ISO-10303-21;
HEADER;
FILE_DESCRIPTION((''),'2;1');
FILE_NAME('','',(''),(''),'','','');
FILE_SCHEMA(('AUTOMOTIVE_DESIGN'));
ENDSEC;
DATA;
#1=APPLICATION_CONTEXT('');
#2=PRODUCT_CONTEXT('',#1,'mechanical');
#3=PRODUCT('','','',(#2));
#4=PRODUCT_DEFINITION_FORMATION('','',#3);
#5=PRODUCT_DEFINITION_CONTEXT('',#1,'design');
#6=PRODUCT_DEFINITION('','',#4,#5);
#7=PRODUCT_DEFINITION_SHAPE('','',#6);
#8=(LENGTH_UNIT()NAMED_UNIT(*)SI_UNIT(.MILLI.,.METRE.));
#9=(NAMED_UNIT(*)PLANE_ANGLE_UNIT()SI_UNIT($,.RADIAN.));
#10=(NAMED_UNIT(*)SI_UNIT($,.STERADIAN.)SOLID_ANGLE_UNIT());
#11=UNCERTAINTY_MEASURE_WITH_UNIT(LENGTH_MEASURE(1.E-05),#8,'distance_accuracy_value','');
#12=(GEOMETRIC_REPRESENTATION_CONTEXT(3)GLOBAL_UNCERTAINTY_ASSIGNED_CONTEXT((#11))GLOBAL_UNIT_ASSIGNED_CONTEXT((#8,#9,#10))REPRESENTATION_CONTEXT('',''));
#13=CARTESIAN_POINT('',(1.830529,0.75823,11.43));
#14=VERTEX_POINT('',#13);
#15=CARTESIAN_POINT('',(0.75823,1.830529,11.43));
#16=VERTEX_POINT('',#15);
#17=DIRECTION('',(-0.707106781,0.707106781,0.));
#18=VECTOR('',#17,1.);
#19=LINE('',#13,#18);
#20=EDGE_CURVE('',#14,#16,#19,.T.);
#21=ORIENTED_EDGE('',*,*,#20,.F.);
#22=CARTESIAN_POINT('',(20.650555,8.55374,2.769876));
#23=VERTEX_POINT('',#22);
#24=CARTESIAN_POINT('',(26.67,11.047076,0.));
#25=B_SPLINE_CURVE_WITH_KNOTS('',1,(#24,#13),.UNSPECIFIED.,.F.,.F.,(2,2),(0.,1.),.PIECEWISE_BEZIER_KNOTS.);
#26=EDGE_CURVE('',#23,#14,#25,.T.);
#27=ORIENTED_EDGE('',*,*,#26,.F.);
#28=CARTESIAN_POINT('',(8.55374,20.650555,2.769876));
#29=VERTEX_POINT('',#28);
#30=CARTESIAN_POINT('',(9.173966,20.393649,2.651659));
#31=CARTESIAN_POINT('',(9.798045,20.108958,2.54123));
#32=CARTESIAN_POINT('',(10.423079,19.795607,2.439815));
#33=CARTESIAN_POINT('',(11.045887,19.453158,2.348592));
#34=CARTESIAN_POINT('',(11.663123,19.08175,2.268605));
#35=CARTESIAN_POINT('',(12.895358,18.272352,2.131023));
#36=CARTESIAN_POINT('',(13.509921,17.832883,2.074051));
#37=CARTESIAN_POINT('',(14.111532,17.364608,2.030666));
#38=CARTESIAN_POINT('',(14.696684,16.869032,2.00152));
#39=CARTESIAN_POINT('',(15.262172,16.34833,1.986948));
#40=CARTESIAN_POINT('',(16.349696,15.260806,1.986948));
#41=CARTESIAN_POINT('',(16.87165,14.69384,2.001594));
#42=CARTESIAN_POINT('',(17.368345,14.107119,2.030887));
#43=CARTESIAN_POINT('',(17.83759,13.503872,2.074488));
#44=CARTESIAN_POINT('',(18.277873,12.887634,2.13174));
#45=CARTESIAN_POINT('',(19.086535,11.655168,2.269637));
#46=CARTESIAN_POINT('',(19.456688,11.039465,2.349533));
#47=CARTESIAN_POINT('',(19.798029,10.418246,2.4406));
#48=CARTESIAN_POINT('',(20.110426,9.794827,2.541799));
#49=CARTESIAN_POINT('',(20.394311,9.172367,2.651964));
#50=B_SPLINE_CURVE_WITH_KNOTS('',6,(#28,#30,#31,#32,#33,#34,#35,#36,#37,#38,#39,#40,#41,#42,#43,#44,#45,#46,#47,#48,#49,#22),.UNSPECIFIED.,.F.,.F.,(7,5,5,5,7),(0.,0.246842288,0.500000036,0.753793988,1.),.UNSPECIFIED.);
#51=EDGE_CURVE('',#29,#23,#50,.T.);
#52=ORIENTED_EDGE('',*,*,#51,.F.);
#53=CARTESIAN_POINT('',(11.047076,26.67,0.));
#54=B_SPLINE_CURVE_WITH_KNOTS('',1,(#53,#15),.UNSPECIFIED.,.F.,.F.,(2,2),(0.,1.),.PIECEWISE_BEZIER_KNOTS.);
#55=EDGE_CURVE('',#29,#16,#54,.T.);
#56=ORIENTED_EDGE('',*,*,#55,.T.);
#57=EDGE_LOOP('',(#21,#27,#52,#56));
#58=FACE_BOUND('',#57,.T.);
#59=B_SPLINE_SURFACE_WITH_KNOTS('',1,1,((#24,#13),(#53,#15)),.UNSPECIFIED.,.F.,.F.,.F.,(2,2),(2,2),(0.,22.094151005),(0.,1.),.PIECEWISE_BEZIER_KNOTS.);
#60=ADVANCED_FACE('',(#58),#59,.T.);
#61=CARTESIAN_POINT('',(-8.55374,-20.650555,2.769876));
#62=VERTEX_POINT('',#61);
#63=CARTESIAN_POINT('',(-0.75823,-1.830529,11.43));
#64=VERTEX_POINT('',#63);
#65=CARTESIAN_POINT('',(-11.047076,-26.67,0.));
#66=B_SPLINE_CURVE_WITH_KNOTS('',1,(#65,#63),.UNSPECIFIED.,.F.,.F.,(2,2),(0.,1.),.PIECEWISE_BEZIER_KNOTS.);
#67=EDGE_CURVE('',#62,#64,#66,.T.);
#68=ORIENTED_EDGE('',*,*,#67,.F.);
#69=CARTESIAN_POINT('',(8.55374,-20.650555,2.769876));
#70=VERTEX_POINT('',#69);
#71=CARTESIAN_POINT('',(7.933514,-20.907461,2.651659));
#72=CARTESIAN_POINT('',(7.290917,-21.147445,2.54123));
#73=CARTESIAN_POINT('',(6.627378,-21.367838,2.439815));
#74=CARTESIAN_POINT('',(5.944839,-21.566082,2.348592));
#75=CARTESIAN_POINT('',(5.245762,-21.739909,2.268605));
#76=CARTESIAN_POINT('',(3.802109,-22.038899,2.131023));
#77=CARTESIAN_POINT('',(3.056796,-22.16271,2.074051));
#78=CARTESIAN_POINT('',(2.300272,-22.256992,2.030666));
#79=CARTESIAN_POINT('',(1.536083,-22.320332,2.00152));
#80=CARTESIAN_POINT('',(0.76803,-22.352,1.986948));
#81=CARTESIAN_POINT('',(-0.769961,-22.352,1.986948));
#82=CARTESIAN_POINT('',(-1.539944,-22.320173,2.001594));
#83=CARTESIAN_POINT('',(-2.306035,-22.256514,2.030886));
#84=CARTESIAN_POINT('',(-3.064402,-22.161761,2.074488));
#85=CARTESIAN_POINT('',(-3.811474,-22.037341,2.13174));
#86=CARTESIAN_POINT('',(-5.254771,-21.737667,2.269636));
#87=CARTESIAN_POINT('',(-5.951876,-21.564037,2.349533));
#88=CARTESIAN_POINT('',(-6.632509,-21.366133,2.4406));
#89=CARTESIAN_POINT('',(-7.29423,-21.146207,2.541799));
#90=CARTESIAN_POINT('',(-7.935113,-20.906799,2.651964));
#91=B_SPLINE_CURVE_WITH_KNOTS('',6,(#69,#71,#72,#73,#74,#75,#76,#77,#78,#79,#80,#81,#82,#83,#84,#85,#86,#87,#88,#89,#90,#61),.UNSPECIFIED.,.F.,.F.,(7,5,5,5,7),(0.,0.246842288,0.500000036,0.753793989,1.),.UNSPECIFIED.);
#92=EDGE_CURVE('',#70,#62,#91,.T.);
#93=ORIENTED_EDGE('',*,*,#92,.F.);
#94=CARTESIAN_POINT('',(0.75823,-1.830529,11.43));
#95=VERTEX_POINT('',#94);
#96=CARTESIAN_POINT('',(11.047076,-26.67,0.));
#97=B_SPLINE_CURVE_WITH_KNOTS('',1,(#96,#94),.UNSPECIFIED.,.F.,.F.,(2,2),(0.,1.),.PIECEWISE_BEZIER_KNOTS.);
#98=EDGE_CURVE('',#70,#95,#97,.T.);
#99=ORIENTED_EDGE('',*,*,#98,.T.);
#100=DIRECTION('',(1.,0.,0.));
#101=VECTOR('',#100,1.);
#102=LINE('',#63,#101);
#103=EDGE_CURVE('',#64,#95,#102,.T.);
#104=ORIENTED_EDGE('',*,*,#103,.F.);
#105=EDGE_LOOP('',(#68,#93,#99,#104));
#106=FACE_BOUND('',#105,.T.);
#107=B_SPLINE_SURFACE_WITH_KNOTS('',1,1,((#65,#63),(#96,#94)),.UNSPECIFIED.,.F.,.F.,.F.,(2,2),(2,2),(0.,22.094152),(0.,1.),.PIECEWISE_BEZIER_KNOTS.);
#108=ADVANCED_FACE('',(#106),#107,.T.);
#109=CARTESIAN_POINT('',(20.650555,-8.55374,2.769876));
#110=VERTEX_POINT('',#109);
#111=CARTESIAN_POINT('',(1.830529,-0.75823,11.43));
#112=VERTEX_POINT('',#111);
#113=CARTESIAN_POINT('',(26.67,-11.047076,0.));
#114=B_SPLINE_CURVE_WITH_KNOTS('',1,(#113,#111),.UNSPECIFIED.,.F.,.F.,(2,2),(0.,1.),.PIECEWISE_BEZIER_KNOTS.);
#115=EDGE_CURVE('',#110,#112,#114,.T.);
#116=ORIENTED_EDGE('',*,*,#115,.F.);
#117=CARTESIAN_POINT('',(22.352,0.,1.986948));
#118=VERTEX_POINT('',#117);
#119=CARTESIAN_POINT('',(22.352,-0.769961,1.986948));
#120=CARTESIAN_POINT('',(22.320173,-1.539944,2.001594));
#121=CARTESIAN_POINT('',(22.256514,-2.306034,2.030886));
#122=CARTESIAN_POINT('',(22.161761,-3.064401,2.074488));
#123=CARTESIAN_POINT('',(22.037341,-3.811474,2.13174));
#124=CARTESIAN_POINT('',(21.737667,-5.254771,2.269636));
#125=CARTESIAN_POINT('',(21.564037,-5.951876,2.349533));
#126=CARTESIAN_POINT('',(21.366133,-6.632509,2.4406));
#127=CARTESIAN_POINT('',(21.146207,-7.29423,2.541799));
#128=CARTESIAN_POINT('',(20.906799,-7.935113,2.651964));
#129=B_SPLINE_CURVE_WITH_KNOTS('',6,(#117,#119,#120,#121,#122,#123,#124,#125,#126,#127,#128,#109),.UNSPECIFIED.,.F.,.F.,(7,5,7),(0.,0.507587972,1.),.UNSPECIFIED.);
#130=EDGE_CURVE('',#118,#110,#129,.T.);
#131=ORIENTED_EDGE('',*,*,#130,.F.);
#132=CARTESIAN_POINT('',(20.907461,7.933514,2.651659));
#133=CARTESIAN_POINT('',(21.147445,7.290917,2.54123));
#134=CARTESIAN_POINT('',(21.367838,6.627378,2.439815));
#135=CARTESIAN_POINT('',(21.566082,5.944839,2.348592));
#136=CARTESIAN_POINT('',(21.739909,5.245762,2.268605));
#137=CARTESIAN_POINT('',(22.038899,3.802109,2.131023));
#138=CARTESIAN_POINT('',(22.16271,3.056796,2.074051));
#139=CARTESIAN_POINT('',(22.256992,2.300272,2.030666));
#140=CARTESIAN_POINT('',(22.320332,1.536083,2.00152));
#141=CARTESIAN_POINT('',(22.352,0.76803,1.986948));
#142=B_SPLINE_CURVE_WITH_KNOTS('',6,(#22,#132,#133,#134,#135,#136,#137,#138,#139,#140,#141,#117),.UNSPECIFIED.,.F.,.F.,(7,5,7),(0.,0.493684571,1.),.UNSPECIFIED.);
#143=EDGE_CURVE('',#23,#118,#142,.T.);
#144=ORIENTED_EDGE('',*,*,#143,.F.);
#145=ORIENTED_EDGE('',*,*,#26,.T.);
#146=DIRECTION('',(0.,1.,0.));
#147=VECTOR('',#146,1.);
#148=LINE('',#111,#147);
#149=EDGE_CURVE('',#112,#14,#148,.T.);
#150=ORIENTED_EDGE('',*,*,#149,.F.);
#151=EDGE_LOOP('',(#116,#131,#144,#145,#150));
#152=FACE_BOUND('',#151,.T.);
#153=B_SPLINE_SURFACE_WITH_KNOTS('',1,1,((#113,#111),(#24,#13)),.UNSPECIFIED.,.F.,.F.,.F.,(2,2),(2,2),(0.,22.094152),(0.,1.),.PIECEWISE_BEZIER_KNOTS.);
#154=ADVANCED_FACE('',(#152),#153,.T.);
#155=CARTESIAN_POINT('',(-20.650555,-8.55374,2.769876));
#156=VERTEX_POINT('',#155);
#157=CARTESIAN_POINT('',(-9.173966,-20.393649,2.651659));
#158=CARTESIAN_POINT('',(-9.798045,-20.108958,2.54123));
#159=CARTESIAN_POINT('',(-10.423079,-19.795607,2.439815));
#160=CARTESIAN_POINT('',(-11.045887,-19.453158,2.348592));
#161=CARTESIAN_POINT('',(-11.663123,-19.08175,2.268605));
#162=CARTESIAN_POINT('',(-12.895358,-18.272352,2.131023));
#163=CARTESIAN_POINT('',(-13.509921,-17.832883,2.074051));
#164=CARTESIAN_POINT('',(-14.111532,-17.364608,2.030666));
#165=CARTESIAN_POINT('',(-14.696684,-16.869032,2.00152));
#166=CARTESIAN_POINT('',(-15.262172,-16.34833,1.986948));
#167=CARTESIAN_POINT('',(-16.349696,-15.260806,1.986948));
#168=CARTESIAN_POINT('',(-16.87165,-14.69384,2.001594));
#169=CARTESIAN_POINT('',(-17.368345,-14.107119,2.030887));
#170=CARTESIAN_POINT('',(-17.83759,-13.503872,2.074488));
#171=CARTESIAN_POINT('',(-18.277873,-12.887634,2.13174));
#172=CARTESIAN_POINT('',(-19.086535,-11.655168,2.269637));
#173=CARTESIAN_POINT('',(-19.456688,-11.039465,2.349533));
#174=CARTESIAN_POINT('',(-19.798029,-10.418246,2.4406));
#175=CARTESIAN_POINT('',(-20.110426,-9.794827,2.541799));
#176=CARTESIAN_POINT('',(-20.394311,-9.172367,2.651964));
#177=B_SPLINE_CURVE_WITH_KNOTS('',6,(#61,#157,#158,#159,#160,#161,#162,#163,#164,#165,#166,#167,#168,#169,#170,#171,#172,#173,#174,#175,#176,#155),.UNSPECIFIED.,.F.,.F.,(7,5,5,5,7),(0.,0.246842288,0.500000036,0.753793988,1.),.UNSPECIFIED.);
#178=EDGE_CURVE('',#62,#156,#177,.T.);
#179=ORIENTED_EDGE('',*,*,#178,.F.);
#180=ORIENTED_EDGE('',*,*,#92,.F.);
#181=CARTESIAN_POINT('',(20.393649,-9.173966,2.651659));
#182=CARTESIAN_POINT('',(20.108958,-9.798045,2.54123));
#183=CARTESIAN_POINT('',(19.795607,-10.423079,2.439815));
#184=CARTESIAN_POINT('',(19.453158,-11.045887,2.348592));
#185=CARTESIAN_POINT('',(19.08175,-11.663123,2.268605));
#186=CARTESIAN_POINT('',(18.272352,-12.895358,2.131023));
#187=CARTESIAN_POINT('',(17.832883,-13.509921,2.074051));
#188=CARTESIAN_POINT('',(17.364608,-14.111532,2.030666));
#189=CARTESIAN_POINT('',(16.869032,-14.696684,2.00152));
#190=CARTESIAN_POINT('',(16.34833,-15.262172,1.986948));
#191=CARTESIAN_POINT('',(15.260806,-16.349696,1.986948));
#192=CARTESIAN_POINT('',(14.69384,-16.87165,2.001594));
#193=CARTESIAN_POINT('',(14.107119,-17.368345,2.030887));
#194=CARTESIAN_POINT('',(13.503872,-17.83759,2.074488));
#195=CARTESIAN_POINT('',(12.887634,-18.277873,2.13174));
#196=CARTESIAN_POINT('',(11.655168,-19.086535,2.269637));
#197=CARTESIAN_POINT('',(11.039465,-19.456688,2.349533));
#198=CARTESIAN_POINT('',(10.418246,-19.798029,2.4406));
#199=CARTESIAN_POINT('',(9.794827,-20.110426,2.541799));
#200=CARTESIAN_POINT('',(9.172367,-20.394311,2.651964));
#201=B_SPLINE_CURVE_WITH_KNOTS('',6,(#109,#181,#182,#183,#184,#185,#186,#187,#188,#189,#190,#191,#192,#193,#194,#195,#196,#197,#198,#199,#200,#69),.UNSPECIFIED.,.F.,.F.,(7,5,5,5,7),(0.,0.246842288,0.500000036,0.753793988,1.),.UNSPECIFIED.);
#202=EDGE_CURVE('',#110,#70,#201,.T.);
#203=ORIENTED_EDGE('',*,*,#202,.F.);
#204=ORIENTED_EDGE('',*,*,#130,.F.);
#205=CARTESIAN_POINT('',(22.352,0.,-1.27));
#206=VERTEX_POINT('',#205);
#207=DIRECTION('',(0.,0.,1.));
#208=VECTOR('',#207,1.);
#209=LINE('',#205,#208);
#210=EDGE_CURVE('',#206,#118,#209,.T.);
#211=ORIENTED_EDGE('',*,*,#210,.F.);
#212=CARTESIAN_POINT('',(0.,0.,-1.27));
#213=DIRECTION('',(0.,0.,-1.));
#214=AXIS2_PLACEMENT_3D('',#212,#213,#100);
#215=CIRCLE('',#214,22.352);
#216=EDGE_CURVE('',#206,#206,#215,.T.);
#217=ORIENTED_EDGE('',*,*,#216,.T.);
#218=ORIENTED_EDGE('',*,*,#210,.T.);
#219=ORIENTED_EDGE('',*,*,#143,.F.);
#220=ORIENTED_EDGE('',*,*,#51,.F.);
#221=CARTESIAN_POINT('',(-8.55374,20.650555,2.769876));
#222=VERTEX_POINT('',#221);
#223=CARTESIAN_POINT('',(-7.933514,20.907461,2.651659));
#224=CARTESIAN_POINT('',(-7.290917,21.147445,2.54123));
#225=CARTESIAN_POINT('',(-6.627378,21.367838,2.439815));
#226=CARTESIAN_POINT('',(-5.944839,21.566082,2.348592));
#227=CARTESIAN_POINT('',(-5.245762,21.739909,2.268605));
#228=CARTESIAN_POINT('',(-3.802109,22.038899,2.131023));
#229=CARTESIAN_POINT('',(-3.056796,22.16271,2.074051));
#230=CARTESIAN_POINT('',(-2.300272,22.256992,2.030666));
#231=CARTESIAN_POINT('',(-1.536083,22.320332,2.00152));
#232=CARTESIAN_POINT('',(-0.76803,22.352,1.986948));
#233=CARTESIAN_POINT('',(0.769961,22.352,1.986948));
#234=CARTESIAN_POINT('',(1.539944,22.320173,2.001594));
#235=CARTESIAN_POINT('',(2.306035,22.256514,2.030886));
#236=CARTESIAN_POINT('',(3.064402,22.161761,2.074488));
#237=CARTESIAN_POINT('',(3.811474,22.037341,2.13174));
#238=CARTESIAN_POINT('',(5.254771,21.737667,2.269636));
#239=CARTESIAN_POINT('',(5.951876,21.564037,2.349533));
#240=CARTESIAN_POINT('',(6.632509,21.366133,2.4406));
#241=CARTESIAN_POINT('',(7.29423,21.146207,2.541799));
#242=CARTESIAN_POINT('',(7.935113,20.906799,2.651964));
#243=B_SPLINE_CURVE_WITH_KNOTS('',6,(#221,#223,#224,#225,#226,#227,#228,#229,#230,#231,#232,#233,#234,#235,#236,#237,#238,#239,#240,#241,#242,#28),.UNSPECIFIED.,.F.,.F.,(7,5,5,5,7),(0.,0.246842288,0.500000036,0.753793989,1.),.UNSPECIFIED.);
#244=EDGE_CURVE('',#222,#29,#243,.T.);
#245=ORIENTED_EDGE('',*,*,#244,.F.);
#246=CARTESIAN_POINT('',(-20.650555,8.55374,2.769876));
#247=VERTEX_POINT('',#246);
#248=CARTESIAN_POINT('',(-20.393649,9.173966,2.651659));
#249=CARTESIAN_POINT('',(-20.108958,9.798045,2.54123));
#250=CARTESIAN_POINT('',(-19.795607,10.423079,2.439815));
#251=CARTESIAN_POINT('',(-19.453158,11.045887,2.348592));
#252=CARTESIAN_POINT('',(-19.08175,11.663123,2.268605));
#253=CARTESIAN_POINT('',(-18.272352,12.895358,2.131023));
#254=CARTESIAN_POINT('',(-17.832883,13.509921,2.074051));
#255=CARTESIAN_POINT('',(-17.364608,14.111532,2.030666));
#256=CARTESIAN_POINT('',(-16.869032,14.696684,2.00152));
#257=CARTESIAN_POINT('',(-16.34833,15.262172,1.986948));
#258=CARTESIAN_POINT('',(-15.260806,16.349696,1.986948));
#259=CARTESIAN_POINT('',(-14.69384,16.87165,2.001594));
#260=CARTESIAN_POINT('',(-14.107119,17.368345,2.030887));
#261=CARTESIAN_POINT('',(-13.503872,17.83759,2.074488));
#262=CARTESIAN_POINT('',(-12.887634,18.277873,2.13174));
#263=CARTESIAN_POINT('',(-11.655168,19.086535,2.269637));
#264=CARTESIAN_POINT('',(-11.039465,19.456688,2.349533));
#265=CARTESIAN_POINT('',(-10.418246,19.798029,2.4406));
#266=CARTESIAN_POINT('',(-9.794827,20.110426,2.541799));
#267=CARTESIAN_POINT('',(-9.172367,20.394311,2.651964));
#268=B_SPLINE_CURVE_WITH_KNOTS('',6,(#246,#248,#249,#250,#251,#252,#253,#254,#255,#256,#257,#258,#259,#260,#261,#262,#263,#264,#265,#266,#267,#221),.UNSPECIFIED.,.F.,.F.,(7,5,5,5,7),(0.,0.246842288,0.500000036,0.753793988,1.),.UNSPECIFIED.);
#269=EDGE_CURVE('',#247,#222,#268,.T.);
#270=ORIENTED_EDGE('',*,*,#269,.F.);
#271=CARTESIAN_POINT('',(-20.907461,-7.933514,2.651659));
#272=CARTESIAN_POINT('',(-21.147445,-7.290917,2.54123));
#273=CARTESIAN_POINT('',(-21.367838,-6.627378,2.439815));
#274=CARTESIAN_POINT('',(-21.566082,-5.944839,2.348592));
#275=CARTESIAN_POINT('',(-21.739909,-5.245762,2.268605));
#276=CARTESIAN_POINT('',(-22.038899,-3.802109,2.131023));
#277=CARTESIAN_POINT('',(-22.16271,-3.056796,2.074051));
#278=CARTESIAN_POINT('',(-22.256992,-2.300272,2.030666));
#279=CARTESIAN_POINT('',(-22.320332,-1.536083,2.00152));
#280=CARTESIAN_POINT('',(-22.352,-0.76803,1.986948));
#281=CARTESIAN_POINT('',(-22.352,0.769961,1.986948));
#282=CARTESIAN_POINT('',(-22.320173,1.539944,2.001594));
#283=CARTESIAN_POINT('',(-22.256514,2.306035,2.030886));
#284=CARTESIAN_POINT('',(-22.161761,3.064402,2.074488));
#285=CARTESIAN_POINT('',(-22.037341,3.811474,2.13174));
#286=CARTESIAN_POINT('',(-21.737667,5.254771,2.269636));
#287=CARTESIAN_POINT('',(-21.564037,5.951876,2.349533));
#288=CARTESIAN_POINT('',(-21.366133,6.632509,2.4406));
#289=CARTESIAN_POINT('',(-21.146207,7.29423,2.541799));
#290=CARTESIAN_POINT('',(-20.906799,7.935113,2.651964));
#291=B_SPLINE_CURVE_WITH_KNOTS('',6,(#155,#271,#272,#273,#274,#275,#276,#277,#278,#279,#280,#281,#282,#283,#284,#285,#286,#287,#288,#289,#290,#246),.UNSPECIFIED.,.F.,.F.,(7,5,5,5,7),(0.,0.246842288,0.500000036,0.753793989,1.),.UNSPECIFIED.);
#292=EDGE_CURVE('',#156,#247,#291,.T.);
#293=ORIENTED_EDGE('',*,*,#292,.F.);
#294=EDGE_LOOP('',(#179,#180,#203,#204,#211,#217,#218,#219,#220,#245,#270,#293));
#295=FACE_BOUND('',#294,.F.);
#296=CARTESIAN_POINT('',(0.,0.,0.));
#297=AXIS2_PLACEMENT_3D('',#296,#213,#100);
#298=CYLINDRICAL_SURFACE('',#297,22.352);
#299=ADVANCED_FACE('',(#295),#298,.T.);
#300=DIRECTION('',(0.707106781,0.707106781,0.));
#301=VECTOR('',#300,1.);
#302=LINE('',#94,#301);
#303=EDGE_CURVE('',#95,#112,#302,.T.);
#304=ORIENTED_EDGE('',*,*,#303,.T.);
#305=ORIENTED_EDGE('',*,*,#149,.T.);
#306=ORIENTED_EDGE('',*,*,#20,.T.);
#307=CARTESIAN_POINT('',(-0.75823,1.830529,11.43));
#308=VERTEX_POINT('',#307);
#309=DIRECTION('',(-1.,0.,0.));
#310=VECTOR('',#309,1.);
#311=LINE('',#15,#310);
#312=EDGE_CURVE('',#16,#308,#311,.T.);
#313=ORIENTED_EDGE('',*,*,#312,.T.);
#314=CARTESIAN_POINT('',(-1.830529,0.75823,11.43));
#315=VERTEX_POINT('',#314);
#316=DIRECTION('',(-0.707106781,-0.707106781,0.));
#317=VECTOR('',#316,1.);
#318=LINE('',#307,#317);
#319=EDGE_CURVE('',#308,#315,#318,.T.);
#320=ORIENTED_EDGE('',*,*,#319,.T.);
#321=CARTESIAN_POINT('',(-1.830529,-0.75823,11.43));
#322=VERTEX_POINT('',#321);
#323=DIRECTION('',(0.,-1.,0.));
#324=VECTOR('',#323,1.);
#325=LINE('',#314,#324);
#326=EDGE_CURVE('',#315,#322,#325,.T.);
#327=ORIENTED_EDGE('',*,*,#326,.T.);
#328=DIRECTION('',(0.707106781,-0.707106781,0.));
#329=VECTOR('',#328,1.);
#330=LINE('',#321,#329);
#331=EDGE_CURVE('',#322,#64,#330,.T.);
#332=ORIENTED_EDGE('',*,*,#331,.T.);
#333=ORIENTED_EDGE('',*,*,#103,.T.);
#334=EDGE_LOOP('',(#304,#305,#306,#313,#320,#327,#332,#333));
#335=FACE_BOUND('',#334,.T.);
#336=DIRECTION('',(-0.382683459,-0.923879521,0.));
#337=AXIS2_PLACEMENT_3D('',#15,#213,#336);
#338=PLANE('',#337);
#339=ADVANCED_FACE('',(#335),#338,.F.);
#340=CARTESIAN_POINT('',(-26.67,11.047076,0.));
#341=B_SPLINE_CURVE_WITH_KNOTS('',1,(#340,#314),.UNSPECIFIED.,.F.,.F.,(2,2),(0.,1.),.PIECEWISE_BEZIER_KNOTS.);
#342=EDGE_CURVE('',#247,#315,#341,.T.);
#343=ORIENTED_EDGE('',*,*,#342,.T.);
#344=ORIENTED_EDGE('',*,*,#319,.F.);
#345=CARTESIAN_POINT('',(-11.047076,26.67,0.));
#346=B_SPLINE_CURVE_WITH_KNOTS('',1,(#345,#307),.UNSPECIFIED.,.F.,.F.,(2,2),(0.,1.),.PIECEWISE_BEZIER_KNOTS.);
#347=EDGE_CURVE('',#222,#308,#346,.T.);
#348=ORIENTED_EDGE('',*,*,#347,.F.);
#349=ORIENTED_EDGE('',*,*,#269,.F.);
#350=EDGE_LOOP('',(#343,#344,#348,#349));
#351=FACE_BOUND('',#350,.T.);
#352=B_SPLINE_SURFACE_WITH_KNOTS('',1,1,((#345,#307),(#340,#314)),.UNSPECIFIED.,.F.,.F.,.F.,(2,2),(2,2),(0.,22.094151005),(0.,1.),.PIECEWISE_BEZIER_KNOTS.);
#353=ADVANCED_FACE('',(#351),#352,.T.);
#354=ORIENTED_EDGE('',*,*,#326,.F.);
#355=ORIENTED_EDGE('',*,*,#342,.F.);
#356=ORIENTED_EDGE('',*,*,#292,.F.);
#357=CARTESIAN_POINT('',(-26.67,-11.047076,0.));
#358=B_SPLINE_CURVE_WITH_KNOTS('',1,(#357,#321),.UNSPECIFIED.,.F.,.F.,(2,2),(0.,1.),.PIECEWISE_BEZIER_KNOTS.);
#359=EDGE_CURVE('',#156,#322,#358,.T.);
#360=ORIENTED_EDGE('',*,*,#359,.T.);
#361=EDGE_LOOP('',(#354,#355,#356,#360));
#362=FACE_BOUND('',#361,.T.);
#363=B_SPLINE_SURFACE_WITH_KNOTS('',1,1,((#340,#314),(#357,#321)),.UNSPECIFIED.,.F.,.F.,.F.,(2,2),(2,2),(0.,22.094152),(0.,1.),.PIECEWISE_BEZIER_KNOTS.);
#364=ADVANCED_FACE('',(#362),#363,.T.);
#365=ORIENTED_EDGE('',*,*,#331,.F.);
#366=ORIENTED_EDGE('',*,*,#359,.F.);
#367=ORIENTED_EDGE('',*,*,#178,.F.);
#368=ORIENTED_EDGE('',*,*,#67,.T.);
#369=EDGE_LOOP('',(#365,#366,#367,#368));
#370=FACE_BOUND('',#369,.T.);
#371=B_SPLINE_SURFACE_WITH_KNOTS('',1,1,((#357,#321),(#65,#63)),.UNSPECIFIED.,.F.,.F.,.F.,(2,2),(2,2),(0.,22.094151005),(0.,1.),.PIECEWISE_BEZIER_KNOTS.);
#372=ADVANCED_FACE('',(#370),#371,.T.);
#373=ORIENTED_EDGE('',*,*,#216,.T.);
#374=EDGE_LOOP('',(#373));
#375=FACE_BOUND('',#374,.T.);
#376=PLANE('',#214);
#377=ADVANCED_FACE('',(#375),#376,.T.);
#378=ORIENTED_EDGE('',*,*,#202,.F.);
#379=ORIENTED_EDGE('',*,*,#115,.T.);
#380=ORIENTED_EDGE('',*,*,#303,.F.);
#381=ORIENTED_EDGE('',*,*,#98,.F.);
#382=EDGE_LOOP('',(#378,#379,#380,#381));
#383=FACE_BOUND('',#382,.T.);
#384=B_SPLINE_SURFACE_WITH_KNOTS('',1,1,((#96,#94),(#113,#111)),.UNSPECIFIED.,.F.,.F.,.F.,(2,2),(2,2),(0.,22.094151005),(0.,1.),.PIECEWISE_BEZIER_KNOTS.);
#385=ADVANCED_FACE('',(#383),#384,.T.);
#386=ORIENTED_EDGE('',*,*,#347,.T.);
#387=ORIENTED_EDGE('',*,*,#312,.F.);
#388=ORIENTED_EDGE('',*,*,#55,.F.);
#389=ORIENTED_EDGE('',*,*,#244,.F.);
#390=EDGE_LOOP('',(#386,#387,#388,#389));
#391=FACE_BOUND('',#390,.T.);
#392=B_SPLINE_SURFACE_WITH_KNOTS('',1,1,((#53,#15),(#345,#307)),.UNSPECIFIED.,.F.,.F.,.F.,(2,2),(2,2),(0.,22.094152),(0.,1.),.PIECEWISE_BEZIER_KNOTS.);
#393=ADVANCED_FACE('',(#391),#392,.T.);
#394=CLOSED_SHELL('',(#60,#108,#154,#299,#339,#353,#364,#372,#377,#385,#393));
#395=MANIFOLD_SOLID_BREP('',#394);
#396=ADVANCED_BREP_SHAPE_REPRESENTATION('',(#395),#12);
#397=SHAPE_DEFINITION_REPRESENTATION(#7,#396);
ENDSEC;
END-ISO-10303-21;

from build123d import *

# Parameters (mm, degrees)
F4_R     = 22.352
F5_DEPTH = 1.27
F6_R     = 33.967932
F6_R_2   = 22.352
F7_DEPTH = 25.4


with BuildPart() as f3:
    # F0 (on Top) → F3 section 0
    with BuildSketch(Plane.XY):
        Polygon((11.047076, 26.67), (-11.047076, 26.67), (-26.67, 11.047076), (-26.67, -11.047076), (-11.047076, -26.67), (11.047076, -26.67), (26.67, -11.047076), (26.67, 11.047076), align=None)
    # F2 (on offset) → F3 section 1
    with BuildSketch(Plane.XY.offset(11.43)):
        Polygon((0.75823, 1.830529), (-0.75823, 1.830529), (-1.830529, 0.75823), (-1.830529, -0.75823), (-0.75823, -1.830529), (0.75823, -1.830529), (1.830529, -0.75823), (1.830529, 0.75823), align=None)
    loft()

    # F4 (on face) → F5 (join)
    with BuildSketch(Plane(origin=(0, 0, 0), x_dir=(1, 0, 0), z_dir=(0, 0, -1))):
        Circle(F4_R)
    extrude(amount=F5_DEPTH)

    # F6 (on Top) → F7 (cut)
    with BuildSketch(Plane.XY):
        Circle(F6_R)
        Circle(F6_R_2, mode=Mode.SUBTRACT)
    extrude(amount=F7_DEPTH, mode=Mode.SUBTRACT)


solid = f3.part
